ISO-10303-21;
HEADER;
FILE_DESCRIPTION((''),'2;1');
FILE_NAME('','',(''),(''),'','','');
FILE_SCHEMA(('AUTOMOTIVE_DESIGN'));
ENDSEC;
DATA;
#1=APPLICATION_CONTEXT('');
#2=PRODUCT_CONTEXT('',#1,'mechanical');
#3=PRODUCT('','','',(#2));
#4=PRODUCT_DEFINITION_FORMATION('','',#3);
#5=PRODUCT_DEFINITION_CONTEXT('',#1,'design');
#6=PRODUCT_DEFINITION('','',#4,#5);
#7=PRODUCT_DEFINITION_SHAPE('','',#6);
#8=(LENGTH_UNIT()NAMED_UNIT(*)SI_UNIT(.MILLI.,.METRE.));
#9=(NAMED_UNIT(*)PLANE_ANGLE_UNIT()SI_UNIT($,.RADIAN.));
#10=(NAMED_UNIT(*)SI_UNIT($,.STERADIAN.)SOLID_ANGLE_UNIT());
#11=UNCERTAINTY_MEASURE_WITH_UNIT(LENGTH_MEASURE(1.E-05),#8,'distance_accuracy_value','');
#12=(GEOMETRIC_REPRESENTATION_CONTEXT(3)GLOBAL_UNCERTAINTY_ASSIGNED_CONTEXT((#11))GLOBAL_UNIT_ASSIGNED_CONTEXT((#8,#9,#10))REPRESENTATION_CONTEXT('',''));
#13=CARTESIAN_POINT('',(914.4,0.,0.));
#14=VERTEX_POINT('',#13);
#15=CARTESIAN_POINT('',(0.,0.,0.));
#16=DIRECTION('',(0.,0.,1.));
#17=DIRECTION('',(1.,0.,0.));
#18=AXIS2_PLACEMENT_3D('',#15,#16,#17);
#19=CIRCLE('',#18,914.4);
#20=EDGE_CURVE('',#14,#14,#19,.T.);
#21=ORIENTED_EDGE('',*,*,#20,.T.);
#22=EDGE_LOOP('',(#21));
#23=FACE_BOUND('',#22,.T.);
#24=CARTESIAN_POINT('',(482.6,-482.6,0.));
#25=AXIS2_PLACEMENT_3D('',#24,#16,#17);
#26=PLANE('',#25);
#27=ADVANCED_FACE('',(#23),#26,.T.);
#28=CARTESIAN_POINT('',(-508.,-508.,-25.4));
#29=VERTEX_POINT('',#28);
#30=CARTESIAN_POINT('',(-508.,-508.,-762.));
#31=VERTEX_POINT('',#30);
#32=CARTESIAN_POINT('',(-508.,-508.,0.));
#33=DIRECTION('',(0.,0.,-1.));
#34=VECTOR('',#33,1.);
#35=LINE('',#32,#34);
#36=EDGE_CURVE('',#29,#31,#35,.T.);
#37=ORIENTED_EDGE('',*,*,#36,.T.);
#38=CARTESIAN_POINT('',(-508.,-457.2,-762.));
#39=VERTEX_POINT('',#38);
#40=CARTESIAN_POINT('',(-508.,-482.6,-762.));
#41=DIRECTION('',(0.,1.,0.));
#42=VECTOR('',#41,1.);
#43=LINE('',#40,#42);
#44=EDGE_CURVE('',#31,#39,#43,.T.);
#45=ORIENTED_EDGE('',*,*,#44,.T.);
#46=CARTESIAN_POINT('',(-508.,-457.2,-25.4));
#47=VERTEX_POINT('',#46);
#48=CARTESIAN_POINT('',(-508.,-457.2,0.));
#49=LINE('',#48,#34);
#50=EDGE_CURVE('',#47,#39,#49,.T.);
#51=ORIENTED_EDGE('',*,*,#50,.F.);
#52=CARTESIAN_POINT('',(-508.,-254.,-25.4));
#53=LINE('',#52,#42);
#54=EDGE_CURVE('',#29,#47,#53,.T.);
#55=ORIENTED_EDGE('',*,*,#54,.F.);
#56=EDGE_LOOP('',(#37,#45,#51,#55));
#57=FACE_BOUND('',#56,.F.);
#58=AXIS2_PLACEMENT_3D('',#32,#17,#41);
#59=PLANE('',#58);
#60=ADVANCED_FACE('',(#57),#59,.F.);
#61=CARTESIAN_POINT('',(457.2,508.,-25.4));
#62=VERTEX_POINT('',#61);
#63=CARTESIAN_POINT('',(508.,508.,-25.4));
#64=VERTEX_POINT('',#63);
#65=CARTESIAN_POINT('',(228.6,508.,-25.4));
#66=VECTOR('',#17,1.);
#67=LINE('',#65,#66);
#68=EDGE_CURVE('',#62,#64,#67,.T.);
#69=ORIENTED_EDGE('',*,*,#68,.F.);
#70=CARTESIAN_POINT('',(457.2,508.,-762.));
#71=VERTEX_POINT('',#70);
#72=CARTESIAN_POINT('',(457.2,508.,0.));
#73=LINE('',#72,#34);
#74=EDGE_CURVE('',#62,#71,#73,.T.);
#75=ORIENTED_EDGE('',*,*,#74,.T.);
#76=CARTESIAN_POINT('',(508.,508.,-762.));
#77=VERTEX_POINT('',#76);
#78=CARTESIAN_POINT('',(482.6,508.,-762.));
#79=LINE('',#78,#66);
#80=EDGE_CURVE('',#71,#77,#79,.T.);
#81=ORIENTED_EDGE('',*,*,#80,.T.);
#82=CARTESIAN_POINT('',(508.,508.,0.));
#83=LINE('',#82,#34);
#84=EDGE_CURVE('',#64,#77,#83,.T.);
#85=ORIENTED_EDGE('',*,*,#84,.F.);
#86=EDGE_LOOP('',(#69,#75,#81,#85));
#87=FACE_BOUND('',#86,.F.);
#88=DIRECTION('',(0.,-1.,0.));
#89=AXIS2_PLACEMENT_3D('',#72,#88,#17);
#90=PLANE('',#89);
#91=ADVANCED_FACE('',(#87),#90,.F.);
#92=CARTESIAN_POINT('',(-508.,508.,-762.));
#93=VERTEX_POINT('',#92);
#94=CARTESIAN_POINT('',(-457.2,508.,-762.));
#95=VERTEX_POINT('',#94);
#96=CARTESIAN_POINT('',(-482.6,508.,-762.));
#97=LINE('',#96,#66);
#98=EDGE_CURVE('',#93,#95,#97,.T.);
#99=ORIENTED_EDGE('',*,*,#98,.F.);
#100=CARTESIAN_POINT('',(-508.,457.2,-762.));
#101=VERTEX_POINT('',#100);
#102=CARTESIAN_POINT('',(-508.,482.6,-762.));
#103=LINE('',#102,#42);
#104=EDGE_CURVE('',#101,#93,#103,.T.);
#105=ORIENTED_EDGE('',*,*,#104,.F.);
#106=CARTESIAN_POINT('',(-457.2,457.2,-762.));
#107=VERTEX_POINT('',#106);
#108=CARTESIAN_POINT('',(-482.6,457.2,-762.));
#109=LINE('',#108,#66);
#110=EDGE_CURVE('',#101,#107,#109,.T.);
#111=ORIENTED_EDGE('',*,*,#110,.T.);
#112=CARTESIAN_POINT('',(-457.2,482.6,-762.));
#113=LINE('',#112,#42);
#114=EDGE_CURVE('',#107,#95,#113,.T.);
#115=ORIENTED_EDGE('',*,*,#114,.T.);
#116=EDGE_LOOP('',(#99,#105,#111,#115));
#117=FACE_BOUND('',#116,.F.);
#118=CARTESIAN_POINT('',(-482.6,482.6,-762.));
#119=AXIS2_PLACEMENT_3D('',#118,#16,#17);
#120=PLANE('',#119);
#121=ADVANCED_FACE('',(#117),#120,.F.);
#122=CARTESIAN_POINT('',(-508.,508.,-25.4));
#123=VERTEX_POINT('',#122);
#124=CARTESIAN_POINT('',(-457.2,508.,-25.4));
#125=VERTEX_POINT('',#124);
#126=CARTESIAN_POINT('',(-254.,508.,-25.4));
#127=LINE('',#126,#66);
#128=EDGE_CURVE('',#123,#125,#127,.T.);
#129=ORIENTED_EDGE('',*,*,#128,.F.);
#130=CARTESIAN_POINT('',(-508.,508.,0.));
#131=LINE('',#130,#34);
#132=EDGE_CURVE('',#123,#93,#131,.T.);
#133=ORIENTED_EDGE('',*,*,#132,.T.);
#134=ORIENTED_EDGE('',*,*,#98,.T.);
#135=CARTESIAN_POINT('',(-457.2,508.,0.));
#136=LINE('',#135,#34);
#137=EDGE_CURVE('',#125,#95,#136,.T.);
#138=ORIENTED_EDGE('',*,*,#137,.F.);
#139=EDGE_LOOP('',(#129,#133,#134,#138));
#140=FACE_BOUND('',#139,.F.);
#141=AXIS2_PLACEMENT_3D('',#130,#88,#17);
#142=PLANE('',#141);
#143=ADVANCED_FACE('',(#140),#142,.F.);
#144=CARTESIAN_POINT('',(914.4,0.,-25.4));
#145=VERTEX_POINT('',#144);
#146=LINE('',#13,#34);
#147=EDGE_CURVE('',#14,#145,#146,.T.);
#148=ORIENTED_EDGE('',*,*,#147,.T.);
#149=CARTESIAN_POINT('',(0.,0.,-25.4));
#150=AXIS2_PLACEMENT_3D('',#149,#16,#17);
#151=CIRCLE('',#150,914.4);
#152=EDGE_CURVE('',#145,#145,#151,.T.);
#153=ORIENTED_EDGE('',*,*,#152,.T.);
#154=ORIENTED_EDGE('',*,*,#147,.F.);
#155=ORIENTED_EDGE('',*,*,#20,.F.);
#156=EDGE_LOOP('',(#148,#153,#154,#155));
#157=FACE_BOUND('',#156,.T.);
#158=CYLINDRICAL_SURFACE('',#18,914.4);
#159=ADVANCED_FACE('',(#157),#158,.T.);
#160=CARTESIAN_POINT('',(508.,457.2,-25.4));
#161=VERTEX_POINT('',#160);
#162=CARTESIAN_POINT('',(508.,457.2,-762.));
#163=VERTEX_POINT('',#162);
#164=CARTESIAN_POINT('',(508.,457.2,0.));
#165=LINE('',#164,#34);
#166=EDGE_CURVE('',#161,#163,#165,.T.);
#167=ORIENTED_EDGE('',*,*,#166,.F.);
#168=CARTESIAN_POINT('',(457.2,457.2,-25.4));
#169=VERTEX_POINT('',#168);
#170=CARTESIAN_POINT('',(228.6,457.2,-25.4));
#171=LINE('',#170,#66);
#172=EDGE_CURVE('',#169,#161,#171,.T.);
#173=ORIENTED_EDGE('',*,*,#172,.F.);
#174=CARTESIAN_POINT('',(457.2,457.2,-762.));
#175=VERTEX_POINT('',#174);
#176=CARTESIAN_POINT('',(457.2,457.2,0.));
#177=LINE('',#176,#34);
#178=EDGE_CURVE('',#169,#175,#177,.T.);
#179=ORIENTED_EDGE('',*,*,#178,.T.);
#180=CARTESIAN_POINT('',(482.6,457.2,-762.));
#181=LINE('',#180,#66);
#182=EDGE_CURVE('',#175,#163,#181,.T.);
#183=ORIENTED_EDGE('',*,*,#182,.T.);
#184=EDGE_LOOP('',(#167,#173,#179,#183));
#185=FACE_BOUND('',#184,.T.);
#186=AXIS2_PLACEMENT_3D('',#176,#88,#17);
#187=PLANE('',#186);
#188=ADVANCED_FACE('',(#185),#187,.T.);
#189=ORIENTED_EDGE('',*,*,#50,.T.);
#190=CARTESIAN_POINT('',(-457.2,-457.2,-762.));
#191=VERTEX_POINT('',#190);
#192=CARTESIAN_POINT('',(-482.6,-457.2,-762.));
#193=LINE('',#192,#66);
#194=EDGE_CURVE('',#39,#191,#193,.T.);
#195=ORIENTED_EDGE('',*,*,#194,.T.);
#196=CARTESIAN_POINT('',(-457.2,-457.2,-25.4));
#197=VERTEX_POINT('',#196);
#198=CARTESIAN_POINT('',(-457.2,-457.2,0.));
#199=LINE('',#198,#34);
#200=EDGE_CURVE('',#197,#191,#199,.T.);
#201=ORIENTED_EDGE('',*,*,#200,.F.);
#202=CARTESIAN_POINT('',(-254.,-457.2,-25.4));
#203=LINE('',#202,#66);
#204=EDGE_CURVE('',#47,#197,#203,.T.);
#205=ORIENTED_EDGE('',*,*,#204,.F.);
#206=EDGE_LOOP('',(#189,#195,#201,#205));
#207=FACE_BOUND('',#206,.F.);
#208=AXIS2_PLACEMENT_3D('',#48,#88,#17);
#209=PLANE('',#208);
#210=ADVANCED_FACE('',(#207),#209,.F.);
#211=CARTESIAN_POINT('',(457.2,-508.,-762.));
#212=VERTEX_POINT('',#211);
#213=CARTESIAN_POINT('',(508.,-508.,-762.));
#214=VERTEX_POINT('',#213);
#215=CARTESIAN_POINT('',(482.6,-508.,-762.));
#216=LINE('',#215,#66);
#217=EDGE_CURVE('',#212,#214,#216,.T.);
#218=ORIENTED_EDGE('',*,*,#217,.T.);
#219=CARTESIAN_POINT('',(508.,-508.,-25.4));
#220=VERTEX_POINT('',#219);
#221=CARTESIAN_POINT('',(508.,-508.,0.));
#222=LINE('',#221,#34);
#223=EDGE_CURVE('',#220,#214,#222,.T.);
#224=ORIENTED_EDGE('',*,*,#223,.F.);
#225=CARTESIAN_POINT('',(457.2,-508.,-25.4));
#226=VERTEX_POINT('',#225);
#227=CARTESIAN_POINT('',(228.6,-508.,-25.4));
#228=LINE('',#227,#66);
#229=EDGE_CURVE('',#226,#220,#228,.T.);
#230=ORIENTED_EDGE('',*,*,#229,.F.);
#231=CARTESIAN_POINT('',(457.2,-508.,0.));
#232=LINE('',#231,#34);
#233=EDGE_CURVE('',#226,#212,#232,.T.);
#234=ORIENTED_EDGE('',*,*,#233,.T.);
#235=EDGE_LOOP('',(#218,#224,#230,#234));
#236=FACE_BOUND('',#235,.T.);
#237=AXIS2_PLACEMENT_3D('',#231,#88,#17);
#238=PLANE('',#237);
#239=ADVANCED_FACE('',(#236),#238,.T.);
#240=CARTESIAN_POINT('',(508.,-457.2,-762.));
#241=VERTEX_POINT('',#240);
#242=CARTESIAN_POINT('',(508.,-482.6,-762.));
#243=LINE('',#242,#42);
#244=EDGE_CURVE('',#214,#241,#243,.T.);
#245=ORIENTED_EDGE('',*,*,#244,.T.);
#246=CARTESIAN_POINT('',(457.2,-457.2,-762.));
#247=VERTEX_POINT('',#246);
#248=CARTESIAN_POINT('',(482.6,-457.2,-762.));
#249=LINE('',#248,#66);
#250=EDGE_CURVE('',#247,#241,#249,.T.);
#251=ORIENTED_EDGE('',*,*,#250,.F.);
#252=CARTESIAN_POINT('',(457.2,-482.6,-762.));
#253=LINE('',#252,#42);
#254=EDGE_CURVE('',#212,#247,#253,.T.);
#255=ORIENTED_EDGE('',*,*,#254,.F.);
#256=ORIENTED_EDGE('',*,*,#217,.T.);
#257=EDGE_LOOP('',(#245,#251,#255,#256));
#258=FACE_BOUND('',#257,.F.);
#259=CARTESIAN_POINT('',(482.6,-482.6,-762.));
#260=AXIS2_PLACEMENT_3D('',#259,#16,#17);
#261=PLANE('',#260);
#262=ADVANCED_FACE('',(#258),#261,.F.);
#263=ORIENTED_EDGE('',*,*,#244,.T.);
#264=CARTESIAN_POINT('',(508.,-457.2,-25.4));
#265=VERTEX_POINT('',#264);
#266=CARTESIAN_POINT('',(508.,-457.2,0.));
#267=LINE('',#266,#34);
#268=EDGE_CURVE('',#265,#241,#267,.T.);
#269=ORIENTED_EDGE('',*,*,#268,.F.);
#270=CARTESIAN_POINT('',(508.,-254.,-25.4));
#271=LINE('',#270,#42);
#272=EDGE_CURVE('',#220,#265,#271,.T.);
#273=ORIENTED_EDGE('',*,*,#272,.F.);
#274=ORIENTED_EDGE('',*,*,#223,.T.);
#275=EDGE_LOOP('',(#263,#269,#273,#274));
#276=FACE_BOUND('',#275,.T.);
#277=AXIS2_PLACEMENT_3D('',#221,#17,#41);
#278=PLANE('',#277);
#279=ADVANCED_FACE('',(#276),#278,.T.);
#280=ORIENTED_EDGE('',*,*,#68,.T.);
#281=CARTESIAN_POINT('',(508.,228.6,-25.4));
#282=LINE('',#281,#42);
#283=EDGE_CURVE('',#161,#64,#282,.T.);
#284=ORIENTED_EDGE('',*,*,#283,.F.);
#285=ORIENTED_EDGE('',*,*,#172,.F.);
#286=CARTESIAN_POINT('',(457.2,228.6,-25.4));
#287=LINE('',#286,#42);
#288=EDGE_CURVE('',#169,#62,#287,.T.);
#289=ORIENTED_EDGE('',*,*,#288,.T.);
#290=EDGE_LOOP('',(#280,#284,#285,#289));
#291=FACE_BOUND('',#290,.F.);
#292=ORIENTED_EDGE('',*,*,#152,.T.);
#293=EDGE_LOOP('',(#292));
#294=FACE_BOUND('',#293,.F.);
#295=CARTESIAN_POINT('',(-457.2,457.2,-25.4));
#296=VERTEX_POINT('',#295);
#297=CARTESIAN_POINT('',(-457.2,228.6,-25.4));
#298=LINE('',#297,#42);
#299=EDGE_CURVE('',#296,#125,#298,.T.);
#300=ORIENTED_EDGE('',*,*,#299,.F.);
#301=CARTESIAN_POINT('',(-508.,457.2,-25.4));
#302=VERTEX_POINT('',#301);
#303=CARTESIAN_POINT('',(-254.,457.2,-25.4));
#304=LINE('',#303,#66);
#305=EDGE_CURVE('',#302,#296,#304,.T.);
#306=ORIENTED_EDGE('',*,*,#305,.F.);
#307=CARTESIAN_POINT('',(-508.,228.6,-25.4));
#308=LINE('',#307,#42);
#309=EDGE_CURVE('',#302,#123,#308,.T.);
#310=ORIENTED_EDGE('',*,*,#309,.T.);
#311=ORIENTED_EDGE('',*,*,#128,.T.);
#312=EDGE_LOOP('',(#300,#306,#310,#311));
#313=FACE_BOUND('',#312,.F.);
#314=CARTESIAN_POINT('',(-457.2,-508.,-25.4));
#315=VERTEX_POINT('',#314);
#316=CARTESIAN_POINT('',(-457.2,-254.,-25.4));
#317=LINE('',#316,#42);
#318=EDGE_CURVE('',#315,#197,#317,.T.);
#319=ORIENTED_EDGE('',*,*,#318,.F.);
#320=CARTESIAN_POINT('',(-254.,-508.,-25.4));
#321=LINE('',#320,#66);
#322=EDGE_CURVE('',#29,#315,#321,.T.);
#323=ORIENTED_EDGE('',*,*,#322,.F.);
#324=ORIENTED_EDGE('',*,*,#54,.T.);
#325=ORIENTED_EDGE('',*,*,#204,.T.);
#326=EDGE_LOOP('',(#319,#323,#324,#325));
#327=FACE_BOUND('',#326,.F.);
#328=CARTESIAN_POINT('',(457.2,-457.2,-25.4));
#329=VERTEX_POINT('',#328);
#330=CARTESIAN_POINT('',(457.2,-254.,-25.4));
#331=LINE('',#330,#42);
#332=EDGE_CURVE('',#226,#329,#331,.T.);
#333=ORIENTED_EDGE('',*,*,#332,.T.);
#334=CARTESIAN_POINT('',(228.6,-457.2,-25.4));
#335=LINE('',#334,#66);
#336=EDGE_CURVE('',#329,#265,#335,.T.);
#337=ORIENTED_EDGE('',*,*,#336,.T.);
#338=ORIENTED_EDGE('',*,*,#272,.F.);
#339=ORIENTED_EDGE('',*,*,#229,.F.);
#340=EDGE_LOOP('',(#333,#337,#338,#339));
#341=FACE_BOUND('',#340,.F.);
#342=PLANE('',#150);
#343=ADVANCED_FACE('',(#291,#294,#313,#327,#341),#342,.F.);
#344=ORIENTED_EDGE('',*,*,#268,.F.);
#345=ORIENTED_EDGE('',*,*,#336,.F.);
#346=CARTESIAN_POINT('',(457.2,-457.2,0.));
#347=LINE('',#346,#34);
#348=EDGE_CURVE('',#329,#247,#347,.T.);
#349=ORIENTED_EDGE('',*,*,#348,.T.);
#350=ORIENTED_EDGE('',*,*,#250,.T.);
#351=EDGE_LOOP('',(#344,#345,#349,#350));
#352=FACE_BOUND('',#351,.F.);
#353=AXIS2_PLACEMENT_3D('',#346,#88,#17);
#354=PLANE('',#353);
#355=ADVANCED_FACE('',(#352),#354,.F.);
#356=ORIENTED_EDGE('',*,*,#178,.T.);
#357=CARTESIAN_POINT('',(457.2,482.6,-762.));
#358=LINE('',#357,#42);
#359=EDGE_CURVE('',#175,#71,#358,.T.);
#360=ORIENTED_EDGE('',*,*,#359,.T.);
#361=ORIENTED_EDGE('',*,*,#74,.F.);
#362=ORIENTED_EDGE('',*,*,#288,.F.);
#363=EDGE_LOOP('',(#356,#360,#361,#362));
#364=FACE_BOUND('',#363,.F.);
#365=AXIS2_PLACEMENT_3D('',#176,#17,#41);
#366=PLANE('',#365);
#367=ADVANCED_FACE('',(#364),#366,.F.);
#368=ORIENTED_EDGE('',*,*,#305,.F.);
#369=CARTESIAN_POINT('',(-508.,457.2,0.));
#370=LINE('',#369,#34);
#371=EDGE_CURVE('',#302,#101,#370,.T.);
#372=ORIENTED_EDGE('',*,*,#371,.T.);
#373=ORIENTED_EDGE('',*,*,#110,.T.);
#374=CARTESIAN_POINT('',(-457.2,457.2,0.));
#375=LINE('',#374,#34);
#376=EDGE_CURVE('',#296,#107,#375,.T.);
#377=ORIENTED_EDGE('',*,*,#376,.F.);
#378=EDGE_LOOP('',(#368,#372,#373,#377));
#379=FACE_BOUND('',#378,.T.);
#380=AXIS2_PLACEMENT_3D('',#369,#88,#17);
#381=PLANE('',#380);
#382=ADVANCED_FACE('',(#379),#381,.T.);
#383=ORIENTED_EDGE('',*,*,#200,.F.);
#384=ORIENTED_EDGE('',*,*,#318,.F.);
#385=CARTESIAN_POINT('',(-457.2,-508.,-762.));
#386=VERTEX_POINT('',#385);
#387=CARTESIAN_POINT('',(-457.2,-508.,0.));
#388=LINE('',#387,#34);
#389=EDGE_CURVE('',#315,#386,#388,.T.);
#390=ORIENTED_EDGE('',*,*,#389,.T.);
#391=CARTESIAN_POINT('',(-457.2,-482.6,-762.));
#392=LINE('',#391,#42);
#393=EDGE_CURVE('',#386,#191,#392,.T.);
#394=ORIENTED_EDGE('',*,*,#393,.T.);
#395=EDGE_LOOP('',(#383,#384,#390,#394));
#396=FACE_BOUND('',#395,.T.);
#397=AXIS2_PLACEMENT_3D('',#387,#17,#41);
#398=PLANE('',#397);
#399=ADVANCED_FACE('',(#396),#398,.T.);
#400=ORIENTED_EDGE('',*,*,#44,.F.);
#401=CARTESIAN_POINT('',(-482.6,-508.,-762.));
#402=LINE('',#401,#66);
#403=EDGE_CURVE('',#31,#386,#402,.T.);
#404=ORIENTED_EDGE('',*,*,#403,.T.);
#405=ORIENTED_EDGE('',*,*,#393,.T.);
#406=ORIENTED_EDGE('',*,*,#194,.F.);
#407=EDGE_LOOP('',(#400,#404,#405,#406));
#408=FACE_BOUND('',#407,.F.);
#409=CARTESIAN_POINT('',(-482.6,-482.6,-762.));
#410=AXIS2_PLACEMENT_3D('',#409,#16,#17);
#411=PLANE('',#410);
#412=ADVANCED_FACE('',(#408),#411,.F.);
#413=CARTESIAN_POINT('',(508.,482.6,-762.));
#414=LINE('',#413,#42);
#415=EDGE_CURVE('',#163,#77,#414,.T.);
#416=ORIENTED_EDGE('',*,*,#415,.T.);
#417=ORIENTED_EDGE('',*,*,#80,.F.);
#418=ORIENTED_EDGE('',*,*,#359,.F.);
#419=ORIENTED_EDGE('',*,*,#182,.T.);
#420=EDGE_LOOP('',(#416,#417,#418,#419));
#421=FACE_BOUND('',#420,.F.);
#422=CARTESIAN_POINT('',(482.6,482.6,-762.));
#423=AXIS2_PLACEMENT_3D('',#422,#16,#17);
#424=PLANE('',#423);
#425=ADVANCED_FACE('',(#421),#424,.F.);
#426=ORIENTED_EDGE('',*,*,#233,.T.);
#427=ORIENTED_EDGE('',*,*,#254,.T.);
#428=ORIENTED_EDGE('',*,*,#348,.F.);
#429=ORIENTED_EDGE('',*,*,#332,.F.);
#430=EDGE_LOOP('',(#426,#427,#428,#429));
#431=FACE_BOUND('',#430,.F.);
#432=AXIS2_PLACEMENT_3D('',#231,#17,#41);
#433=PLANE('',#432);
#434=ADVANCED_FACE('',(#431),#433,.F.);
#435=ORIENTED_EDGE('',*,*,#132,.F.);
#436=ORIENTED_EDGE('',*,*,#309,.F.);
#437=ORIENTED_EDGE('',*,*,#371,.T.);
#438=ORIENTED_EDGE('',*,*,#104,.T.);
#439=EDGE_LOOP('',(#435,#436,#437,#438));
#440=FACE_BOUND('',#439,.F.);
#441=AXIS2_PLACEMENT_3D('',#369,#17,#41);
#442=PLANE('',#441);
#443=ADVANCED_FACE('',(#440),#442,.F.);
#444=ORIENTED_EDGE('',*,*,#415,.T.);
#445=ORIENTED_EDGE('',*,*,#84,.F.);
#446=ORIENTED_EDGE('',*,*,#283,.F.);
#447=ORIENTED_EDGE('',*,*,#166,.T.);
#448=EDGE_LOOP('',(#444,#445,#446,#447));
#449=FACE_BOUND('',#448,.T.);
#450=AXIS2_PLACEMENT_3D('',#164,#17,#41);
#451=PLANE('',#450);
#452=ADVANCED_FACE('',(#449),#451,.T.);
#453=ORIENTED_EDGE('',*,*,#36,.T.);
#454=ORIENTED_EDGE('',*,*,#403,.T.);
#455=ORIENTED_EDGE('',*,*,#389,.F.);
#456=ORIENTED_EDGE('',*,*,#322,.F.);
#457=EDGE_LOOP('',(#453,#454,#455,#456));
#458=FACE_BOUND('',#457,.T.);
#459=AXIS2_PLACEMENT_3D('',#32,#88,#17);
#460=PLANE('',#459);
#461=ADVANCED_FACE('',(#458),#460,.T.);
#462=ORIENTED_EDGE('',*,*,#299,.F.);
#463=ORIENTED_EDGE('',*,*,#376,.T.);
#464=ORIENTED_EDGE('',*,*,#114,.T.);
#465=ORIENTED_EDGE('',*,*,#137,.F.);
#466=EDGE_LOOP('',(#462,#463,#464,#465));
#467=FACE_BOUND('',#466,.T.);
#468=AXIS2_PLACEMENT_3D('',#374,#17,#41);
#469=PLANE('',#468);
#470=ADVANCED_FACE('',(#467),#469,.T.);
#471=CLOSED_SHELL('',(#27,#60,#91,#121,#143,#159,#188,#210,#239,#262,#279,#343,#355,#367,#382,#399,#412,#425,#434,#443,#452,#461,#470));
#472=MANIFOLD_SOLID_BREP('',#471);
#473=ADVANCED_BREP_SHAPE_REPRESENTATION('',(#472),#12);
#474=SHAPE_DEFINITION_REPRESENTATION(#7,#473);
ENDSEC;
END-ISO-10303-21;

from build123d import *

# Parameters (mm, degrees)
F0_R     = 914.4
F1_DEPTH = 25.4
F2_W     = 50.8
F2_H     = 50.8
F3_DEPTH = 762


with BuildPart() as f1:
    # F0 (on Top) → F1 (new body)
    with BuildSketch(Plane.XY):
        Circle(F0_R)
    extrude(amount=-F1_DEPTH)

    # F2 (on Top) → F3 (join)
    with BuildSketch(Plane.XY):
        with Locations((482.6, -482.6)):
            Rectangle(F2_W, F2_H)
        with Locations((482.6, 482.6)):
            Rectangle(F2_W, F2_H)
        with Locations((-482.6, 482.6)):
            Rectangle(F2_W, F2_H)
        with Locations((-482.6, -482.6)):
            Rectangle(F2_W, F2_H)
    extrude(amount=-F3_DEPTH)


solid = f1.part
